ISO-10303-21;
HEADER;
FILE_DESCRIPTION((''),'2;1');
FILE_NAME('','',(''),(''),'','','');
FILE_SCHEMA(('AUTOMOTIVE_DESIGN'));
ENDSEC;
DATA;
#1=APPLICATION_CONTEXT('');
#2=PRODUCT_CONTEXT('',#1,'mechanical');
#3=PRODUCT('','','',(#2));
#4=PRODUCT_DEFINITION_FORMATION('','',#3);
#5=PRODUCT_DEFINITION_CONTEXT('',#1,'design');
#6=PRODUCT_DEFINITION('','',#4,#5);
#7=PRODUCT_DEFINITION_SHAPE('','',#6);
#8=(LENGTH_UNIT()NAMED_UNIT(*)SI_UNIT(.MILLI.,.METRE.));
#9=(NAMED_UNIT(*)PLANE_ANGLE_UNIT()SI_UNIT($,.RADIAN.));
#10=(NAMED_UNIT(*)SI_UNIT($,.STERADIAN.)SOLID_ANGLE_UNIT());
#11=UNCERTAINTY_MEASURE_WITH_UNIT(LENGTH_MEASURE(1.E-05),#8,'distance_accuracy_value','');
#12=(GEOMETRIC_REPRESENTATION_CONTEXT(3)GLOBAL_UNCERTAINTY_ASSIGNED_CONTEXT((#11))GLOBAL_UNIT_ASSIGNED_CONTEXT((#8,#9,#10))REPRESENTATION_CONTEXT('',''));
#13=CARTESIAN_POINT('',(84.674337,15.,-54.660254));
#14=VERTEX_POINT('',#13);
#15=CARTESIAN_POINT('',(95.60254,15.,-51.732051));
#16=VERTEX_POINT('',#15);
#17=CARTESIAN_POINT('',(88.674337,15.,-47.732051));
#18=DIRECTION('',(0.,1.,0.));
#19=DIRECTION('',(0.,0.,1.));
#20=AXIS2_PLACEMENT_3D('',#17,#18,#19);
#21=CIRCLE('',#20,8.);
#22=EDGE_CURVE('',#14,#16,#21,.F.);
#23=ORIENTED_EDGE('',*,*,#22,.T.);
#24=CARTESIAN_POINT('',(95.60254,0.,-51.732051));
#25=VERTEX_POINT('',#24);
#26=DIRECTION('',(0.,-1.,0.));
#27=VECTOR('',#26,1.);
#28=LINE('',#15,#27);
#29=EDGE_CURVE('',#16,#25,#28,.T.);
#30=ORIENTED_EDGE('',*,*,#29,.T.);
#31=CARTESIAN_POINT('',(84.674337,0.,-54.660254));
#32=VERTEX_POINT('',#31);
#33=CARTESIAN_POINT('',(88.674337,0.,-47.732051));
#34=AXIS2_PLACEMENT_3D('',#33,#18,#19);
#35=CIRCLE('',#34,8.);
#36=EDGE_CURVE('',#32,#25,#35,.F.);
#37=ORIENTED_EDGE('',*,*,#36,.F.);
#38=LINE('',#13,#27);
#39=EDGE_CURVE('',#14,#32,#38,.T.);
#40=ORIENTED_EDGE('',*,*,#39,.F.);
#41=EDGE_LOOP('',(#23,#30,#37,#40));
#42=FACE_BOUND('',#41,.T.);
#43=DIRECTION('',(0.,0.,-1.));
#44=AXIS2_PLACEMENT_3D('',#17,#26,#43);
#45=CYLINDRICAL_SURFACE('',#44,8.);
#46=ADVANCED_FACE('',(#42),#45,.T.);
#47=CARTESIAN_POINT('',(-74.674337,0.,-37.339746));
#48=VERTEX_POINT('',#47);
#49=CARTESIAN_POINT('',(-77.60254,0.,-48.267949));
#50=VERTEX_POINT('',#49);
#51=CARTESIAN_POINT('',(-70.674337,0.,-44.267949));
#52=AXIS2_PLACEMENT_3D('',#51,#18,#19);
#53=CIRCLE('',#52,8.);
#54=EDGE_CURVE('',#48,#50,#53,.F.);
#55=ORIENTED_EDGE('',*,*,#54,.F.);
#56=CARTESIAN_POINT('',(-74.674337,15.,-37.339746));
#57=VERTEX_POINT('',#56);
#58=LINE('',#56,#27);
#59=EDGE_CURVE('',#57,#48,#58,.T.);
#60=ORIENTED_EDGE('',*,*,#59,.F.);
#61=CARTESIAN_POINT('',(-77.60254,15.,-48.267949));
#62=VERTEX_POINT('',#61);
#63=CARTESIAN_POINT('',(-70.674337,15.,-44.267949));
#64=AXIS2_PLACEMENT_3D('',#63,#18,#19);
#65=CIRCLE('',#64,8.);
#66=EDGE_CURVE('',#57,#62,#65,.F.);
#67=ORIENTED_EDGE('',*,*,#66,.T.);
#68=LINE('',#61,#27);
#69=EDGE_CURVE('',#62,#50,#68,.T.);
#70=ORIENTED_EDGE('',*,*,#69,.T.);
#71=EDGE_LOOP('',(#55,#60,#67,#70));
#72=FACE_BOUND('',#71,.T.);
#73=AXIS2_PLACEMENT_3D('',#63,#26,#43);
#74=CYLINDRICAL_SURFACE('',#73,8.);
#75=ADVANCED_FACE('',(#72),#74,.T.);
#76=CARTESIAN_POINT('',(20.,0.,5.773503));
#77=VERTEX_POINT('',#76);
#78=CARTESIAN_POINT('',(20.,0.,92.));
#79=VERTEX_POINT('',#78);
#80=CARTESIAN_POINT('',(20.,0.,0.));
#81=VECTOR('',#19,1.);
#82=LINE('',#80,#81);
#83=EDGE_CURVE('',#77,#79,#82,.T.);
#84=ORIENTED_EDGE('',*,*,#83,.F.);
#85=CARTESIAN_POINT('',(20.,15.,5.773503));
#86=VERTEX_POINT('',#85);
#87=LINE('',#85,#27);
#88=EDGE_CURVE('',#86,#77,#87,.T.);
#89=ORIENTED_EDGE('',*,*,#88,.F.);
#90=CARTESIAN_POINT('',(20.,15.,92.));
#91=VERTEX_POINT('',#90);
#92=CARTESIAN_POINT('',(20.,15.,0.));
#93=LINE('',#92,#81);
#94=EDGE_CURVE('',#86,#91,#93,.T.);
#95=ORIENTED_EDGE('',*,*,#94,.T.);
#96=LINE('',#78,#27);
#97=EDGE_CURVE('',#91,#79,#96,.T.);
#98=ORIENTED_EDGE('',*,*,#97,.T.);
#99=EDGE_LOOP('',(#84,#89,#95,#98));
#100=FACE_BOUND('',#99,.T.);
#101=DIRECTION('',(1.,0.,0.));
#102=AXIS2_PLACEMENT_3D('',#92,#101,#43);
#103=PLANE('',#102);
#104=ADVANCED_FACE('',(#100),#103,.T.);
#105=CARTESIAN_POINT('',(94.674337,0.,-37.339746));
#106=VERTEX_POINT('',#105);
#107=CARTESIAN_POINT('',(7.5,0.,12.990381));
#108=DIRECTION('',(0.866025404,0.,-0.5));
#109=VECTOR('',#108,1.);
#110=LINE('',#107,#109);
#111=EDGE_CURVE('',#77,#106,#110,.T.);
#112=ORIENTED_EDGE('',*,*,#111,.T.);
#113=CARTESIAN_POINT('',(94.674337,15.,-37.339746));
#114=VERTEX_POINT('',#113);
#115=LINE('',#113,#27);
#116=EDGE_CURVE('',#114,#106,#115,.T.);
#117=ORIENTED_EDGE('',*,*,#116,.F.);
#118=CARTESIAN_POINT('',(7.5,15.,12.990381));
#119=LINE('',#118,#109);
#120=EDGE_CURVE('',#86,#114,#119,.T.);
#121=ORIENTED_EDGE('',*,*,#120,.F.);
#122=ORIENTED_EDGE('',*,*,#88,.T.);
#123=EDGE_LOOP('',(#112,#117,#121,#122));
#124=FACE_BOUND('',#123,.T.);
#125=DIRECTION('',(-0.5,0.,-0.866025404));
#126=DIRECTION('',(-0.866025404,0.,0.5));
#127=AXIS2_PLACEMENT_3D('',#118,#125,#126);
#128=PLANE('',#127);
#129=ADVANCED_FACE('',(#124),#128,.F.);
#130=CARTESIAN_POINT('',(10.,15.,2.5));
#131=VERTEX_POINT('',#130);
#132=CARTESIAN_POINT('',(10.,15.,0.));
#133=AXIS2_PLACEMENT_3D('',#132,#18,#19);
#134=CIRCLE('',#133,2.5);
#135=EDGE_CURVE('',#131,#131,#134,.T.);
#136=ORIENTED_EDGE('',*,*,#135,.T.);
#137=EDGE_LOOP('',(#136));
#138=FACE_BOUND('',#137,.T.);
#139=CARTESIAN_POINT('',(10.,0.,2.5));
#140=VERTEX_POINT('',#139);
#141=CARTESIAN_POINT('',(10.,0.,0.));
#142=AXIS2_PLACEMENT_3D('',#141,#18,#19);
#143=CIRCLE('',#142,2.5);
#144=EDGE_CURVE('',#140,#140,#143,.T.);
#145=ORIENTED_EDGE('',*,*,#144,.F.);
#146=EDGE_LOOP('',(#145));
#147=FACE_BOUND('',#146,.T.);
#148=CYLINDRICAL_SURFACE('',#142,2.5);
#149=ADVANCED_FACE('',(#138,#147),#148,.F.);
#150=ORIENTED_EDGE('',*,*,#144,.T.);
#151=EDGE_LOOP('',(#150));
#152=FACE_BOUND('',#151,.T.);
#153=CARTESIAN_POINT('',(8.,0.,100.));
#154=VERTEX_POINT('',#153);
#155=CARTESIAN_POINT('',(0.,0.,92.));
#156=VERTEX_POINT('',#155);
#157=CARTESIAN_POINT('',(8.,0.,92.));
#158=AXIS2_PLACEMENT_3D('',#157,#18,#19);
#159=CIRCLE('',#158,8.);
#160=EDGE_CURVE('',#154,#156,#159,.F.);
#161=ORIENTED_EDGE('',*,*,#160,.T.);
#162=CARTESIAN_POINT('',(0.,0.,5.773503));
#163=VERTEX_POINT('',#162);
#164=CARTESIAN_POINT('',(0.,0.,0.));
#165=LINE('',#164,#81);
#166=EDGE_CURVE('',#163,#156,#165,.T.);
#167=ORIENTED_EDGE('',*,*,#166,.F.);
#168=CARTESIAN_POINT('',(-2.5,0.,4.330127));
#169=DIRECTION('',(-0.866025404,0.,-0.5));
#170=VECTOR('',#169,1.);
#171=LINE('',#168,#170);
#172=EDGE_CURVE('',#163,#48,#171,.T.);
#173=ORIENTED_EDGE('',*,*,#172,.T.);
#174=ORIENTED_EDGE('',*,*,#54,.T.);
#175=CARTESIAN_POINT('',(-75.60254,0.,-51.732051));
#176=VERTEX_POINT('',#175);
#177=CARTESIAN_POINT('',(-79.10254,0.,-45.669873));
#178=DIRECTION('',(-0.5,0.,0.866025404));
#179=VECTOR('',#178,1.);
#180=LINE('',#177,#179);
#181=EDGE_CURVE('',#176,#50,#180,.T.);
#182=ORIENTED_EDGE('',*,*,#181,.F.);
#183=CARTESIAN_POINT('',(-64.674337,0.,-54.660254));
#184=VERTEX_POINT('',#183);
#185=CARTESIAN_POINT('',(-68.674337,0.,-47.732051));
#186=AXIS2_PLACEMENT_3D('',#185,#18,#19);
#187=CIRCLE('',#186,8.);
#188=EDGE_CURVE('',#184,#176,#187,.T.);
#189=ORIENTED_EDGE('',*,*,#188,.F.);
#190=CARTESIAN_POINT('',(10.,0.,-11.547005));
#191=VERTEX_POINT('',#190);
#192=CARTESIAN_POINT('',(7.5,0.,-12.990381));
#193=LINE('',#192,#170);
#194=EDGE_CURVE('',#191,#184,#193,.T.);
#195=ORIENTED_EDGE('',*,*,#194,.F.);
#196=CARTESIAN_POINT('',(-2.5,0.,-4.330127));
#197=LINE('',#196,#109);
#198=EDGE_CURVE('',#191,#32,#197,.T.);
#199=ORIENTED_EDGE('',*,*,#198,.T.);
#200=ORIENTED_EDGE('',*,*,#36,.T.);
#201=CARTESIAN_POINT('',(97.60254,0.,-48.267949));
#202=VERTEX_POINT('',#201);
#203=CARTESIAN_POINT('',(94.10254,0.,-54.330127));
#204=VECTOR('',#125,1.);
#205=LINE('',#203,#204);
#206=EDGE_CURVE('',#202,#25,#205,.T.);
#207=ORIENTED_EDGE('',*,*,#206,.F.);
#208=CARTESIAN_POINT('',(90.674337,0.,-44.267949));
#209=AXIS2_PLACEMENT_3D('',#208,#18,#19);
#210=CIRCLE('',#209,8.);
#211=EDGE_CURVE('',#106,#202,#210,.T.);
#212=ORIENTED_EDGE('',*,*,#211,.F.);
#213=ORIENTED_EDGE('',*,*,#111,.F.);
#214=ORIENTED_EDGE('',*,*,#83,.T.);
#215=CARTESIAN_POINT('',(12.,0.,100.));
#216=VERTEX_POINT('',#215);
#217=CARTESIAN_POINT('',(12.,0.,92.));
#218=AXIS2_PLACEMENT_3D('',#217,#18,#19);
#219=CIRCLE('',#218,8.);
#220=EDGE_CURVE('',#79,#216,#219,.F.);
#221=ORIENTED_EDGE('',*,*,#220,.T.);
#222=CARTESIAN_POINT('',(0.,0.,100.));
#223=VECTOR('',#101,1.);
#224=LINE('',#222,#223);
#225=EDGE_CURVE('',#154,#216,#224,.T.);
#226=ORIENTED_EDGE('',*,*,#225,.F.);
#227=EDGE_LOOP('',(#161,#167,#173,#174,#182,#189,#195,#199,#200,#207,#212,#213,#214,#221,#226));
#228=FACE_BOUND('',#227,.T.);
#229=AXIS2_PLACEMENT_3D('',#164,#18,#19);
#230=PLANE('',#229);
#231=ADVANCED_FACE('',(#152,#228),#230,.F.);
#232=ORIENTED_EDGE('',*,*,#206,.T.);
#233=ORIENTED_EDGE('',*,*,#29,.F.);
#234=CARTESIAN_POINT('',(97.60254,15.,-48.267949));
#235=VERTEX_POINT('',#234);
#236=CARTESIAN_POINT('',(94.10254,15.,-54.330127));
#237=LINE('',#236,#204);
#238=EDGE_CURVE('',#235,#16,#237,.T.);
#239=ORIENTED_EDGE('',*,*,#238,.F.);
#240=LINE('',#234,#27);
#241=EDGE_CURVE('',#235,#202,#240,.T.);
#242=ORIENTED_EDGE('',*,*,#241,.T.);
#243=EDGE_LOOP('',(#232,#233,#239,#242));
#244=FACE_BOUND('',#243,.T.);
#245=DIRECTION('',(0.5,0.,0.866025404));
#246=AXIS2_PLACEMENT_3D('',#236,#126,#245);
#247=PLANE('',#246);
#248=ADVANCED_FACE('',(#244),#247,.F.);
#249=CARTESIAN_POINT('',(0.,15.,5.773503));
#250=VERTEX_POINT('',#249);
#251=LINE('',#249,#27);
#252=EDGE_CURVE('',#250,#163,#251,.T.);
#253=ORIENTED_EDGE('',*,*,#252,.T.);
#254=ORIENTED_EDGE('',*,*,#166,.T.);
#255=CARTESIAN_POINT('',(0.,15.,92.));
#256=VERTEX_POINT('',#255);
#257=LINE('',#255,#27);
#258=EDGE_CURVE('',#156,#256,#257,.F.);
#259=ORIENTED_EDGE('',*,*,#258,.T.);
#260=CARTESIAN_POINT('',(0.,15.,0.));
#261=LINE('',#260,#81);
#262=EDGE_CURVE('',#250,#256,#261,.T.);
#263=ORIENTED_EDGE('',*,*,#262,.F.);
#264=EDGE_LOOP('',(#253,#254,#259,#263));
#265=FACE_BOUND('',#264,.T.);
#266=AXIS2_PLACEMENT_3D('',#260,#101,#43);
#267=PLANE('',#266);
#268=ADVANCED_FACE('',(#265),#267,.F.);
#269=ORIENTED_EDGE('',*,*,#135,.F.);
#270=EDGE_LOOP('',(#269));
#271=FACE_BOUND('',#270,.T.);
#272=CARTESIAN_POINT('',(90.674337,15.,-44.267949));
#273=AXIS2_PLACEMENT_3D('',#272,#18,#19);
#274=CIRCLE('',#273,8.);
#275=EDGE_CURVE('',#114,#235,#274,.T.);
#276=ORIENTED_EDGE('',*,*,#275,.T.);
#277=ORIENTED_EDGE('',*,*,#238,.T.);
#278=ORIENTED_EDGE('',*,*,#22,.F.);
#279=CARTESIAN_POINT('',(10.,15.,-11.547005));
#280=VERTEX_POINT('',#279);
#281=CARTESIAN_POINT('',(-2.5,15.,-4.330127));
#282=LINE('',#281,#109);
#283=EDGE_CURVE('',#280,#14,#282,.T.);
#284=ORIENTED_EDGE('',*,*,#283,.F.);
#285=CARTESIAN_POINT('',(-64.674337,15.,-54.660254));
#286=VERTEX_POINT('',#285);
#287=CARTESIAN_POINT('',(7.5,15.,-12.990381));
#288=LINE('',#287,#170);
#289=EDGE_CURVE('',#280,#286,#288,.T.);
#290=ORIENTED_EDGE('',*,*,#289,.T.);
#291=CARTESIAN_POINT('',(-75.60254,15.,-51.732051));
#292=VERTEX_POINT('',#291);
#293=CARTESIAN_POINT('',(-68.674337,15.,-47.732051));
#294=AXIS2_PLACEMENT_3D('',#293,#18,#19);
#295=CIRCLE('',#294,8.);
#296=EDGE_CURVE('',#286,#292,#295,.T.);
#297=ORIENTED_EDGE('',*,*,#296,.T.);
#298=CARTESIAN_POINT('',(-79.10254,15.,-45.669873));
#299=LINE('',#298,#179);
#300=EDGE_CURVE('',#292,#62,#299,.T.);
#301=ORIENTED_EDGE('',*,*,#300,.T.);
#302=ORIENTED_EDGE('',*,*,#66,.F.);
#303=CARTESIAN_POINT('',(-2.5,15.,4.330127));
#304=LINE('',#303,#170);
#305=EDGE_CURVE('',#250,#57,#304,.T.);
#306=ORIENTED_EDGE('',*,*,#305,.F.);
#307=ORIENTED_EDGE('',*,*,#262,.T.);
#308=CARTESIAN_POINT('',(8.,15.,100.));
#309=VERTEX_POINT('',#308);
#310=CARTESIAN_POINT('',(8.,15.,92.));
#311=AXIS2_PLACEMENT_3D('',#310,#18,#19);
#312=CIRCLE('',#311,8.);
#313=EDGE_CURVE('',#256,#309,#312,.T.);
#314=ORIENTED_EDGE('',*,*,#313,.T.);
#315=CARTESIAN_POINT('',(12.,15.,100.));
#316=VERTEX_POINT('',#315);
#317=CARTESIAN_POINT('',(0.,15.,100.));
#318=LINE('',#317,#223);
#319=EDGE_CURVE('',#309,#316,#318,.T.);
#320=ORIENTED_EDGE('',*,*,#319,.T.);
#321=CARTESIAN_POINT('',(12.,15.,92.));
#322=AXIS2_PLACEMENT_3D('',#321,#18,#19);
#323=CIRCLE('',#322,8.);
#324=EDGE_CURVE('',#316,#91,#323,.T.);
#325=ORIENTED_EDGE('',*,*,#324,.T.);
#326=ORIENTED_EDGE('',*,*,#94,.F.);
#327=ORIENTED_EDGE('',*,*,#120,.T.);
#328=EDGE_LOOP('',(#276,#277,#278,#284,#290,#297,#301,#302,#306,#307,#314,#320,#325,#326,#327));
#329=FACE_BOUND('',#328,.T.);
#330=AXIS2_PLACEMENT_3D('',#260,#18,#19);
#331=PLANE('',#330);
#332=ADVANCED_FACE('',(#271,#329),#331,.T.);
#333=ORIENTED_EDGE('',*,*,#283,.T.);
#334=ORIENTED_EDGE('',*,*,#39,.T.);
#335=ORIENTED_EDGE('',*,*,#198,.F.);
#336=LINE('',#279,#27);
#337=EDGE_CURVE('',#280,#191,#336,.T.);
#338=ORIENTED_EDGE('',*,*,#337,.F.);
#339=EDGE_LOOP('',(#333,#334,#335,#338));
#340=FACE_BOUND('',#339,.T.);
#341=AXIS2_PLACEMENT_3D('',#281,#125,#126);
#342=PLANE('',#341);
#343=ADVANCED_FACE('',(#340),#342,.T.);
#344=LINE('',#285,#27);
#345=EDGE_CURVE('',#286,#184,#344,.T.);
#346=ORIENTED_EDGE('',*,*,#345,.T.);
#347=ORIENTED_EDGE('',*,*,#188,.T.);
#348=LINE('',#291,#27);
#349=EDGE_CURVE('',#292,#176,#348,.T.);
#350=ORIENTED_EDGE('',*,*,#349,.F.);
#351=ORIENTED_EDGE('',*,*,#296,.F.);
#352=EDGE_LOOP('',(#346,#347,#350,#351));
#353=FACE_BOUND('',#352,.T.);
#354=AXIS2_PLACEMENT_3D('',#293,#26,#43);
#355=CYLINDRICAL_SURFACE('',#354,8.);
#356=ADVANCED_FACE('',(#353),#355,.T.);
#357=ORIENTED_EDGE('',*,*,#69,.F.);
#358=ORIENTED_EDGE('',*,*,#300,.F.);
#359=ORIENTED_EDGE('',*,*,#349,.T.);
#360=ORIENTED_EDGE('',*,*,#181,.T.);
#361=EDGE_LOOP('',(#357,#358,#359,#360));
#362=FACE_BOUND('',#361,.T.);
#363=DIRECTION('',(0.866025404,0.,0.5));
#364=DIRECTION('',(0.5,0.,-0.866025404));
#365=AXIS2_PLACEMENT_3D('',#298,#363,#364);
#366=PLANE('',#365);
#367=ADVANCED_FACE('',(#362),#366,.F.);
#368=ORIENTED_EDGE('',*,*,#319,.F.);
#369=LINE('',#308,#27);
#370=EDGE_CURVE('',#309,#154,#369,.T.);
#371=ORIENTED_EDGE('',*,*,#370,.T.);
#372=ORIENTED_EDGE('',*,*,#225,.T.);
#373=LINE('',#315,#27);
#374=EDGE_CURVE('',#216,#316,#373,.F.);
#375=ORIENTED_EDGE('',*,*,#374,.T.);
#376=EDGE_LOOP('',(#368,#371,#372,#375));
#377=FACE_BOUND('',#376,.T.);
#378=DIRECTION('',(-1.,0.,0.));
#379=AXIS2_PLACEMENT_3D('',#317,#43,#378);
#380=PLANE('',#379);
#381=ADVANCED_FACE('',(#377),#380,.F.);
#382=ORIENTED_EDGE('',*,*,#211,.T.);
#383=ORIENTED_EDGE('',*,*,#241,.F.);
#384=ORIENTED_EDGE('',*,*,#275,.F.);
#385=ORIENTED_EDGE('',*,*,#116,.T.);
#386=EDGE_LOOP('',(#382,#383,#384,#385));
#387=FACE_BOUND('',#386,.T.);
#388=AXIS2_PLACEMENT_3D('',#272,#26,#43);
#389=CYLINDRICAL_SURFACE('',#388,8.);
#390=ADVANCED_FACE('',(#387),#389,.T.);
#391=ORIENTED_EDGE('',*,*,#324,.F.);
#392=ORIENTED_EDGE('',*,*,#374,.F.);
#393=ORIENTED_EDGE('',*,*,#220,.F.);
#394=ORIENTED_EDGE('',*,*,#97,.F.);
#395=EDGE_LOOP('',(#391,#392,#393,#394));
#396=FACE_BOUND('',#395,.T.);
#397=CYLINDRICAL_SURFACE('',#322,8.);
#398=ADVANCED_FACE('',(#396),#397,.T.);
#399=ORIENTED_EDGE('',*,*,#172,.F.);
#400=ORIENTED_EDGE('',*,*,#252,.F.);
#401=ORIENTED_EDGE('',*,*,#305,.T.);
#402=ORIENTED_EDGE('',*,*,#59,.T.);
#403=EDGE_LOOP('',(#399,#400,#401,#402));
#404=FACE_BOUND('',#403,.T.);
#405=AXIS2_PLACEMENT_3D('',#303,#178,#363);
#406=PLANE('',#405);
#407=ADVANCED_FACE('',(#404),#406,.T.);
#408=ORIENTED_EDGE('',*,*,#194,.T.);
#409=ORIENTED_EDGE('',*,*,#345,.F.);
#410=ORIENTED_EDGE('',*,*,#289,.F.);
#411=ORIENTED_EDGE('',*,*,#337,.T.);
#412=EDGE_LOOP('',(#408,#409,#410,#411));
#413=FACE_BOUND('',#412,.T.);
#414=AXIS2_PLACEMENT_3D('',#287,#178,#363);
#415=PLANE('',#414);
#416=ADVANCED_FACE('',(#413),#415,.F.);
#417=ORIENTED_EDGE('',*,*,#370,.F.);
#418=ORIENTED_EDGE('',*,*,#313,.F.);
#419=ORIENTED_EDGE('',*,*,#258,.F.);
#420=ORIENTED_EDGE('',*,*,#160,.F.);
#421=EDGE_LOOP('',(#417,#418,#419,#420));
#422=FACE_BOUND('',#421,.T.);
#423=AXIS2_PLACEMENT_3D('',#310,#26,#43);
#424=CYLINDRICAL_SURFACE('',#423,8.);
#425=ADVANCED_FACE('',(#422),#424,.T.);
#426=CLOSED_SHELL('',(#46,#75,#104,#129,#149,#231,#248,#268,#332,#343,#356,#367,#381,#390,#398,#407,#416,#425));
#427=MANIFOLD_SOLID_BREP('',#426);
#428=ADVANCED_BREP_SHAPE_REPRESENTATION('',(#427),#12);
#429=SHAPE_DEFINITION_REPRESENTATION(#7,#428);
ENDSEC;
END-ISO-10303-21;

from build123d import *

# Parameters (mm, degrees)
BOSS_EXTRU_1_DEPTH      = 15
CONG_1_R                = 8
ESQUISSE2_R             = 2.5
ENL_V_MAT_EXTRU_1_DEPTH = 15


with BuildPart() as part:
    # Esquisse1 → Boss.-Extru.1 (new body)
    with BuildSketch(Plane(origin=(0, 0, 0), x_dir=(1, 0, 0), z_dir=(0, 1, 0))):
        with BuildLine():
            Line((84.674337148, 54.660254038), (10, 11.547005384))
            Line((10, 11.547005384), (-64.674337148, 54.660254038))
            ThreePointArc((-64.674337148, 54.660254038), (-70.744889509, 55.459457418), (-75.602540378, 51.732050808))
            Line((-75.602540378, 51.732050808), (-77.602540378, 48.267949192))
            ThreePointArc((-77.602540378, 48.267949192), (-78.401743758, 42.197396832), (-74.674337148, 37.339745962))
            Line((-74.674337148, 37.339745962), (0, -5.773502692))
            Line((0, -5.773502692), (0, -100))
            Line((0, -100), (20, -100))
            Line((20, -100), (20, -5.773502692))
            Line((20, -5.773502692), (94.674337148, 37.339745962))
            ThreePointArc((94.674337148, 37.339745962), (98.401743758, 42.197396832), (97.602540378, 48.267949192))
            Line((97.602540378, 48.267949192), (95.602540378, 51.732050808))
            ThreePointArc((95.602540378, 51.732050808), (90.744889509, 55.459457418), (84.674337148, 54.660254038))
        make_face()
    extrude(amount=BOSS_EXTRU_1_DEPTH)

    # Congé1
    cong_1_edges = [part.edges().sort_by_distance(p)[0] for p in [
        (0, 7.5, 100),
        (20, 7.5, 100),
    ]]
    fillet(cong_1_edges, radius=CONG_1_R)

    # Esquisse2 → Enlèv. mat.-Extru.1 (cut)
    with BuildSketch(Plane(origin=(0, 15, 0), x_dir=(1, 0, 0), z_dir=(0, 1, 0))):
        with Locations((10, 0)):
            Circle(ESQUISSE2_R)
    extrude(amount=-ENL_V_MAT_EXTRU_1_DEPTH, mode=Mode.SUBTRACT)


solid = part.part
